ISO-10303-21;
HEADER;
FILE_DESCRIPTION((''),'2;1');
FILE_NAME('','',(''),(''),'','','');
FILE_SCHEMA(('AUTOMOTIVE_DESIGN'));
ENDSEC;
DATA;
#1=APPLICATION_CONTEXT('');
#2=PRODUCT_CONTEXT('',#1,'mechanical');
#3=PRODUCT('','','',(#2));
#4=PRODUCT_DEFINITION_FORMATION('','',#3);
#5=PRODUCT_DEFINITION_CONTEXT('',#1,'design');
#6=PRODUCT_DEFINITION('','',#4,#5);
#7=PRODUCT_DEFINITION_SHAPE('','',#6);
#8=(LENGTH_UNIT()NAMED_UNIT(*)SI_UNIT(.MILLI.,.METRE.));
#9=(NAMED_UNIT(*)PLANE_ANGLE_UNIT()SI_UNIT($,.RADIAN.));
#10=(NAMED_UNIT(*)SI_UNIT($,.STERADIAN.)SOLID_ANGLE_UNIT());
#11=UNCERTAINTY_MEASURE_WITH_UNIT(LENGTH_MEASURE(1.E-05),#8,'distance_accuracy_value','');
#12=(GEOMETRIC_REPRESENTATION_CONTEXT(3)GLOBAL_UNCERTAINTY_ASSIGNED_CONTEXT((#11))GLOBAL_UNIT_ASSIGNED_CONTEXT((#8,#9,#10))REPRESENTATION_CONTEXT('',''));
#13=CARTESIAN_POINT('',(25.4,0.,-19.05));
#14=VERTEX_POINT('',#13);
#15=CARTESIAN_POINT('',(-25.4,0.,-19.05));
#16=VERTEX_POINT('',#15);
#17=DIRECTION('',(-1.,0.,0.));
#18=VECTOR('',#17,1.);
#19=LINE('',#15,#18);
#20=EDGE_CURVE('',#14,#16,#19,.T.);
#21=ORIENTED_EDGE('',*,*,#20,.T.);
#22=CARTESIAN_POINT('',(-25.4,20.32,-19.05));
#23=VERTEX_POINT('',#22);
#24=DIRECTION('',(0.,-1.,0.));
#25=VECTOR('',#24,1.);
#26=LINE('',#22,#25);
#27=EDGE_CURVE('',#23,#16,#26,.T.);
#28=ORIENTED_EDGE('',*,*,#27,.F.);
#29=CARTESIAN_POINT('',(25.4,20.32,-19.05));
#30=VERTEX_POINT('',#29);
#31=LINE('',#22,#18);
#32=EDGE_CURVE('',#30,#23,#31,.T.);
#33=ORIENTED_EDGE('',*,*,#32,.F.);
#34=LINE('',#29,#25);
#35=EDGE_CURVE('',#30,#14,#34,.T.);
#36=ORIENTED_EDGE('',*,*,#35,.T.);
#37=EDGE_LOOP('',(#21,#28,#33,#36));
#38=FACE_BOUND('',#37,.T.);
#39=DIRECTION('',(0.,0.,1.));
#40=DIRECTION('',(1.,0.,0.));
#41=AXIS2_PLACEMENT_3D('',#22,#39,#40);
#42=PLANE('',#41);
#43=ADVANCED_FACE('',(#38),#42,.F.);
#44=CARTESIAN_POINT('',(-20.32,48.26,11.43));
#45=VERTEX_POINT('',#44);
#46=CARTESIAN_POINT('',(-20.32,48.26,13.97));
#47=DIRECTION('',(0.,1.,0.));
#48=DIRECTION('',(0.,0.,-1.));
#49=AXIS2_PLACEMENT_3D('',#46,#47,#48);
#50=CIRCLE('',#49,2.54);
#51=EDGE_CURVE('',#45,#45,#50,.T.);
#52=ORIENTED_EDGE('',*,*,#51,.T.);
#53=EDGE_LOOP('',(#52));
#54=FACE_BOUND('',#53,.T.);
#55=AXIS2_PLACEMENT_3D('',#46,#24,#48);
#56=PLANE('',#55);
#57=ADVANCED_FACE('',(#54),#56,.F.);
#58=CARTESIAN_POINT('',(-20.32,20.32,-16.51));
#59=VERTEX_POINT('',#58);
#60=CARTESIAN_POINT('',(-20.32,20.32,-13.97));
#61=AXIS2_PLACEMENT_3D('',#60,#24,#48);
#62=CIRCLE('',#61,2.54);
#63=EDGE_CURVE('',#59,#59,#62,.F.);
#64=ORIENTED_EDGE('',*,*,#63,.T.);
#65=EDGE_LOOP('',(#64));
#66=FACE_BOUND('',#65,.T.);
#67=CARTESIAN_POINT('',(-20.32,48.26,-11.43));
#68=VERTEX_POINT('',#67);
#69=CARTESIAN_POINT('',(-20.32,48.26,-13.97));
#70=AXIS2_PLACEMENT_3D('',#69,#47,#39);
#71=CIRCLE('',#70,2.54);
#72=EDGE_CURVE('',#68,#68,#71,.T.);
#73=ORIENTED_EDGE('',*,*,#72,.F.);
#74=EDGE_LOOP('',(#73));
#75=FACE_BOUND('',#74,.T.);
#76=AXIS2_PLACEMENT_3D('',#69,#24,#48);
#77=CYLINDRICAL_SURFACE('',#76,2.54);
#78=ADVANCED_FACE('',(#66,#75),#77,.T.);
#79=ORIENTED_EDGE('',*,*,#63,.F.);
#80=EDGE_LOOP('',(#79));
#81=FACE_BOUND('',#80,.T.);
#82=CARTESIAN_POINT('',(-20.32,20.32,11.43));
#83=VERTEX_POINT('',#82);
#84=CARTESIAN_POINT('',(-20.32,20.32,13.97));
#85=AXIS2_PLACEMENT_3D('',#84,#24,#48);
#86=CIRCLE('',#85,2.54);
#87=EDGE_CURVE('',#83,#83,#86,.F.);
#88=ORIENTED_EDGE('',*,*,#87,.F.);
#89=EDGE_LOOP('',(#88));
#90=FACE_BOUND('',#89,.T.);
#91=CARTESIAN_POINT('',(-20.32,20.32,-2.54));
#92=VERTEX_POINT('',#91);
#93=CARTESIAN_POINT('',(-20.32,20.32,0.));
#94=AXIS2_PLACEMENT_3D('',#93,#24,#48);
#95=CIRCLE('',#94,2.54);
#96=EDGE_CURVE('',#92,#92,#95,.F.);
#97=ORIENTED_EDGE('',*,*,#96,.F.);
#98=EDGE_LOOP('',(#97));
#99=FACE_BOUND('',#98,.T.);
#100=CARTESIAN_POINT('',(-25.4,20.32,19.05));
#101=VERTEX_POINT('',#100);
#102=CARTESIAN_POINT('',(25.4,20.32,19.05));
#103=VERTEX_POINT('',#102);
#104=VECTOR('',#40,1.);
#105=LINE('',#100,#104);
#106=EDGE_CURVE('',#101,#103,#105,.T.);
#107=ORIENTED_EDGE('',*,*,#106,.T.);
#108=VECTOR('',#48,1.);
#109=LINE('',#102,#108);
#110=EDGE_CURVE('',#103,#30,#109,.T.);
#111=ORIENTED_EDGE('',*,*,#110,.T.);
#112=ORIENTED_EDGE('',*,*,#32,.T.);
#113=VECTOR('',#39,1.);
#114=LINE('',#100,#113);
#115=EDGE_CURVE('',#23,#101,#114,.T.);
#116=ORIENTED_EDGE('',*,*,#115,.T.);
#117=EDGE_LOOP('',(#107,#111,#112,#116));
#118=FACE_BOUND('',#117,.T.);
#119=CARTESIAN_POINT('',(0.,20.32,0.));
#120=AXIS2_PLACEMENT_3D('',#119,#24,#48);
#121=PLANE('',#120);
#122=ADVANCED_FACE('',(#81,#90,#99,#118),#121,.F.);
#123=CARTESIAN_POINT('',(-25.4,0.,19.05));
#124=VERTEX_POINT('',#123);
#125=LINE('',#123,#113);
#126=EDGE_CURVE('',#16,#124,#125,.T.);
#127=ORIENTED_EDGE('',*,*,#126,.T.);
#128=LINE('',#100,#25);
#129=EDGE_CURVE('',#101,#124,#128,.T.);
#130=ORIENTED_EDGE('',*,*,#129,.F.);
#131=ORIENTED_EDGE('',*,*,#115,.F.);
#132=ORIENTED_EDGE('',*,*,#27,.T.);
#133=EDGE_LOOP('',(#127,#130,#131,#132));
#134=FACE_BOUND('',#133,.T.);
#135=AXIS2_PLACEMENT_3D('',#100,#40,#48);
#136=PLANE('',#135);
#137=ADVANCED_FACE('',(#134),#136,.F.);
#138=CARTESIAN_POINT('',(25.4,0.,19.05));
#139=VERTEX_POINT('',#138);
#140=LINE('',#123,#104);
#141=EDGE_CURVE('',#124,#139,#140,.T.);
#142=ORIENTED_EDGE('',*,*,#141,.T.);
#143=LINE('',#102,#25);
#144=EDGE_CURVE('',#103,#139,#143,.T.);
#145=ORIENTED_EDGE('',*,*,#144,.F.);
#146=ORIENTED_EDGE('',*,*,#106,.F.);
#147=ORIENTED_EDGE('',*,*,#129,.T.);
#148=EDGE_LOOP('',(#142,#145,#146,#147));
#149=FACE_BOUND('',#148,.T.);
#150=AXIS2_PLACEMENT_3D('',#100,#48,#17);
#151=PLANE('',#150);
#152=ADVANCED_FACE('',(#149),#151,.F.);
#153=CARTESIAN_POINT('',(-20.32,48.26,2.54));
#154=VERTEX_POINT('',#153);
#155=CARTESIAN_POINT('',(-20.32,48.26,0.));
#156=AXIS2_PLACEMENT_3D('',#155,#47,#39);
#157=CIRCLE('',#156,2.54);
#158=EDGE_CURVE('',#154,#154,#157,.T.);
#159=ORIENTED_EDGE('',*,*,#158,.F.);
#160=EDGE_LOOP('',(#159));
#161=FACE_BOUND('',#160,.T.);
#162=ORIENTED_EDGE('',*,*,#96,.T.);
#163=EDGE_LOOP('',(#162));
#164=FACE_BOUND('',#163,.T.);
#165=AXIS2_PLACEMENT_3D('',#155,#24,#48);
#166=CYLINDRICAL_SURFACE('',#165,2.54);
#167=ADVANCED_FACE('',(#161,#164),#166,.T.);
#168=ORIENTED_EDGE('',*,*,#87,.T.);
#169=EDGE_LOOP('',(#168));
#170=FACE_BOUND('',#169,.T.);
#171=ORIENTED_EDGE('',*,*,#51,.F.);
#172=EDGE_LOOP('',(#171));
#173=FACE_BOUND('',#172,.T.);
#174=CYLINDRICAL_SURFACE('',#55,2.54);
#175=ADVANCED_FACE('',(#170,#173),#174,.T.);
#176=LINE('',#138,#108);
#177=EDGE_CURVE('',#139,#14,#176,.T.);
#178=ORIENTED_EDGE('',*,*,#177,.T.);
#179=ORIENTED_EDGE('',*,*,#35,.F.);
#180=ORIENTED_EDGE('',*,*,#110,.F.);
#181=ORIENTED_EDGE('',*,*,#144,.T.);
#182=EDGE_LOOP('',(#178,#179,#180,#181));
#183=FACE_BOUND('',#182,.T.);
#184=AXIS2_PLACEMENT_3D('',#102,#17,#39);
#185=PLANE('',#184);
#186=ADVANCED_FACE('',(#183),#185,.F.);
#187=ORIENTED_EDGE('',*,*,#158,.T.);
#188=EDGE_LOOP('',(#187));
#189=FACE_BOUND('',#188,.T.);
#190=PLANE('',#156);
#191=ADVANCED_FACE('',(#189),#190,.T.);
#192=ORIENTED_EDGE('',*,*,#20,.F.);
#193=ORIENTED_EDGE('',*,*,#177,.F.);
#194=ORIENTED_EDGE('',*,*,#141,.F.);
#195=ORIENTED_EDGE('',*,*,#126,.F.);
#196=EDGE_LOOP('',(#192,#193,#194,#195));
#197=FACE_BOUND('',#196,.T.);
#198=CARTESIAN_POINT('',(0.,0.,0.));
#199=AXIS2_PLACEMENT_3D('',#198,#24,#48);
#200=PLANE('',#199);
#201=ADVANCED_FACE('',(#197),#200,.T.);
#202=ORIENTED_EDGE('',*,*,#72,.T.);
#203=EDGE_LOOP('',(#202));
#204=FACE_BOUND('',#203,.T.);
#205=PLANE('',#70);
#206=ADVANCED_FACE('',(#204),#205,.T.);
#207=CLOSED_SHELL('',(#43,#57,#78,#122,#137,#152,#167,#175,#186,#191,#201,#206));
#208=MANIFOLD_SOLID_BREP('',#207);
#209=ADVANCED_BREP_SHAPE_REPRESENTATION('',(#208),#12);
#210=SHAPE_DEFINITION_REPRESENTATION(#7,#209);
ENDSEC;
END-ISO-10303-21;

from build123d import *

# Parameters (mm, degrees)
SKETCH1_W           = 50.8
SKETCH1_H           = 38.1
BOSS_EXTRUDE1_DEPTH = 20.32
SKETCH2_R           = 2.54
BOSS_EXTRUDE2_DEPTH = 27.94


with BuildPart() as part:
    # Sketch1 → Boss-Extrude1 (new body)
    with BuildSketch(Plane(origin=(0, 0, 0), x_dir=(1, 0, 0), z_dir=(0, 1, 0))):
        Rectangle(SKETCH1_W, SKETCH1_H)
    extrude(amount=BOSS_EXTRUDE1_DEPTH)

    # Sketch2 → Boss-Extrude2 (add)
    with BuildSketch(Plane(origin=(0, 20.32, 0), x_dir=(1, 0, 0), z_dir=(0, 1, 0))):
        with Locations(Location((-20.32, 13.97, 0), (0, 0, 90))):
            Circle(SKETCH2_R)
        with Locations(Location((-20.32, -13.97, 0), (0, 0, 90))):
            Circle(SKETCH2_R)
        with Locations(Location((-20.32, 0, 0), (0, 0, 90))):
            Circle(SKETCH2_R)
    extrude(amount=BOSS_EXTRUDE2_DEPTH)


solid = part.part
